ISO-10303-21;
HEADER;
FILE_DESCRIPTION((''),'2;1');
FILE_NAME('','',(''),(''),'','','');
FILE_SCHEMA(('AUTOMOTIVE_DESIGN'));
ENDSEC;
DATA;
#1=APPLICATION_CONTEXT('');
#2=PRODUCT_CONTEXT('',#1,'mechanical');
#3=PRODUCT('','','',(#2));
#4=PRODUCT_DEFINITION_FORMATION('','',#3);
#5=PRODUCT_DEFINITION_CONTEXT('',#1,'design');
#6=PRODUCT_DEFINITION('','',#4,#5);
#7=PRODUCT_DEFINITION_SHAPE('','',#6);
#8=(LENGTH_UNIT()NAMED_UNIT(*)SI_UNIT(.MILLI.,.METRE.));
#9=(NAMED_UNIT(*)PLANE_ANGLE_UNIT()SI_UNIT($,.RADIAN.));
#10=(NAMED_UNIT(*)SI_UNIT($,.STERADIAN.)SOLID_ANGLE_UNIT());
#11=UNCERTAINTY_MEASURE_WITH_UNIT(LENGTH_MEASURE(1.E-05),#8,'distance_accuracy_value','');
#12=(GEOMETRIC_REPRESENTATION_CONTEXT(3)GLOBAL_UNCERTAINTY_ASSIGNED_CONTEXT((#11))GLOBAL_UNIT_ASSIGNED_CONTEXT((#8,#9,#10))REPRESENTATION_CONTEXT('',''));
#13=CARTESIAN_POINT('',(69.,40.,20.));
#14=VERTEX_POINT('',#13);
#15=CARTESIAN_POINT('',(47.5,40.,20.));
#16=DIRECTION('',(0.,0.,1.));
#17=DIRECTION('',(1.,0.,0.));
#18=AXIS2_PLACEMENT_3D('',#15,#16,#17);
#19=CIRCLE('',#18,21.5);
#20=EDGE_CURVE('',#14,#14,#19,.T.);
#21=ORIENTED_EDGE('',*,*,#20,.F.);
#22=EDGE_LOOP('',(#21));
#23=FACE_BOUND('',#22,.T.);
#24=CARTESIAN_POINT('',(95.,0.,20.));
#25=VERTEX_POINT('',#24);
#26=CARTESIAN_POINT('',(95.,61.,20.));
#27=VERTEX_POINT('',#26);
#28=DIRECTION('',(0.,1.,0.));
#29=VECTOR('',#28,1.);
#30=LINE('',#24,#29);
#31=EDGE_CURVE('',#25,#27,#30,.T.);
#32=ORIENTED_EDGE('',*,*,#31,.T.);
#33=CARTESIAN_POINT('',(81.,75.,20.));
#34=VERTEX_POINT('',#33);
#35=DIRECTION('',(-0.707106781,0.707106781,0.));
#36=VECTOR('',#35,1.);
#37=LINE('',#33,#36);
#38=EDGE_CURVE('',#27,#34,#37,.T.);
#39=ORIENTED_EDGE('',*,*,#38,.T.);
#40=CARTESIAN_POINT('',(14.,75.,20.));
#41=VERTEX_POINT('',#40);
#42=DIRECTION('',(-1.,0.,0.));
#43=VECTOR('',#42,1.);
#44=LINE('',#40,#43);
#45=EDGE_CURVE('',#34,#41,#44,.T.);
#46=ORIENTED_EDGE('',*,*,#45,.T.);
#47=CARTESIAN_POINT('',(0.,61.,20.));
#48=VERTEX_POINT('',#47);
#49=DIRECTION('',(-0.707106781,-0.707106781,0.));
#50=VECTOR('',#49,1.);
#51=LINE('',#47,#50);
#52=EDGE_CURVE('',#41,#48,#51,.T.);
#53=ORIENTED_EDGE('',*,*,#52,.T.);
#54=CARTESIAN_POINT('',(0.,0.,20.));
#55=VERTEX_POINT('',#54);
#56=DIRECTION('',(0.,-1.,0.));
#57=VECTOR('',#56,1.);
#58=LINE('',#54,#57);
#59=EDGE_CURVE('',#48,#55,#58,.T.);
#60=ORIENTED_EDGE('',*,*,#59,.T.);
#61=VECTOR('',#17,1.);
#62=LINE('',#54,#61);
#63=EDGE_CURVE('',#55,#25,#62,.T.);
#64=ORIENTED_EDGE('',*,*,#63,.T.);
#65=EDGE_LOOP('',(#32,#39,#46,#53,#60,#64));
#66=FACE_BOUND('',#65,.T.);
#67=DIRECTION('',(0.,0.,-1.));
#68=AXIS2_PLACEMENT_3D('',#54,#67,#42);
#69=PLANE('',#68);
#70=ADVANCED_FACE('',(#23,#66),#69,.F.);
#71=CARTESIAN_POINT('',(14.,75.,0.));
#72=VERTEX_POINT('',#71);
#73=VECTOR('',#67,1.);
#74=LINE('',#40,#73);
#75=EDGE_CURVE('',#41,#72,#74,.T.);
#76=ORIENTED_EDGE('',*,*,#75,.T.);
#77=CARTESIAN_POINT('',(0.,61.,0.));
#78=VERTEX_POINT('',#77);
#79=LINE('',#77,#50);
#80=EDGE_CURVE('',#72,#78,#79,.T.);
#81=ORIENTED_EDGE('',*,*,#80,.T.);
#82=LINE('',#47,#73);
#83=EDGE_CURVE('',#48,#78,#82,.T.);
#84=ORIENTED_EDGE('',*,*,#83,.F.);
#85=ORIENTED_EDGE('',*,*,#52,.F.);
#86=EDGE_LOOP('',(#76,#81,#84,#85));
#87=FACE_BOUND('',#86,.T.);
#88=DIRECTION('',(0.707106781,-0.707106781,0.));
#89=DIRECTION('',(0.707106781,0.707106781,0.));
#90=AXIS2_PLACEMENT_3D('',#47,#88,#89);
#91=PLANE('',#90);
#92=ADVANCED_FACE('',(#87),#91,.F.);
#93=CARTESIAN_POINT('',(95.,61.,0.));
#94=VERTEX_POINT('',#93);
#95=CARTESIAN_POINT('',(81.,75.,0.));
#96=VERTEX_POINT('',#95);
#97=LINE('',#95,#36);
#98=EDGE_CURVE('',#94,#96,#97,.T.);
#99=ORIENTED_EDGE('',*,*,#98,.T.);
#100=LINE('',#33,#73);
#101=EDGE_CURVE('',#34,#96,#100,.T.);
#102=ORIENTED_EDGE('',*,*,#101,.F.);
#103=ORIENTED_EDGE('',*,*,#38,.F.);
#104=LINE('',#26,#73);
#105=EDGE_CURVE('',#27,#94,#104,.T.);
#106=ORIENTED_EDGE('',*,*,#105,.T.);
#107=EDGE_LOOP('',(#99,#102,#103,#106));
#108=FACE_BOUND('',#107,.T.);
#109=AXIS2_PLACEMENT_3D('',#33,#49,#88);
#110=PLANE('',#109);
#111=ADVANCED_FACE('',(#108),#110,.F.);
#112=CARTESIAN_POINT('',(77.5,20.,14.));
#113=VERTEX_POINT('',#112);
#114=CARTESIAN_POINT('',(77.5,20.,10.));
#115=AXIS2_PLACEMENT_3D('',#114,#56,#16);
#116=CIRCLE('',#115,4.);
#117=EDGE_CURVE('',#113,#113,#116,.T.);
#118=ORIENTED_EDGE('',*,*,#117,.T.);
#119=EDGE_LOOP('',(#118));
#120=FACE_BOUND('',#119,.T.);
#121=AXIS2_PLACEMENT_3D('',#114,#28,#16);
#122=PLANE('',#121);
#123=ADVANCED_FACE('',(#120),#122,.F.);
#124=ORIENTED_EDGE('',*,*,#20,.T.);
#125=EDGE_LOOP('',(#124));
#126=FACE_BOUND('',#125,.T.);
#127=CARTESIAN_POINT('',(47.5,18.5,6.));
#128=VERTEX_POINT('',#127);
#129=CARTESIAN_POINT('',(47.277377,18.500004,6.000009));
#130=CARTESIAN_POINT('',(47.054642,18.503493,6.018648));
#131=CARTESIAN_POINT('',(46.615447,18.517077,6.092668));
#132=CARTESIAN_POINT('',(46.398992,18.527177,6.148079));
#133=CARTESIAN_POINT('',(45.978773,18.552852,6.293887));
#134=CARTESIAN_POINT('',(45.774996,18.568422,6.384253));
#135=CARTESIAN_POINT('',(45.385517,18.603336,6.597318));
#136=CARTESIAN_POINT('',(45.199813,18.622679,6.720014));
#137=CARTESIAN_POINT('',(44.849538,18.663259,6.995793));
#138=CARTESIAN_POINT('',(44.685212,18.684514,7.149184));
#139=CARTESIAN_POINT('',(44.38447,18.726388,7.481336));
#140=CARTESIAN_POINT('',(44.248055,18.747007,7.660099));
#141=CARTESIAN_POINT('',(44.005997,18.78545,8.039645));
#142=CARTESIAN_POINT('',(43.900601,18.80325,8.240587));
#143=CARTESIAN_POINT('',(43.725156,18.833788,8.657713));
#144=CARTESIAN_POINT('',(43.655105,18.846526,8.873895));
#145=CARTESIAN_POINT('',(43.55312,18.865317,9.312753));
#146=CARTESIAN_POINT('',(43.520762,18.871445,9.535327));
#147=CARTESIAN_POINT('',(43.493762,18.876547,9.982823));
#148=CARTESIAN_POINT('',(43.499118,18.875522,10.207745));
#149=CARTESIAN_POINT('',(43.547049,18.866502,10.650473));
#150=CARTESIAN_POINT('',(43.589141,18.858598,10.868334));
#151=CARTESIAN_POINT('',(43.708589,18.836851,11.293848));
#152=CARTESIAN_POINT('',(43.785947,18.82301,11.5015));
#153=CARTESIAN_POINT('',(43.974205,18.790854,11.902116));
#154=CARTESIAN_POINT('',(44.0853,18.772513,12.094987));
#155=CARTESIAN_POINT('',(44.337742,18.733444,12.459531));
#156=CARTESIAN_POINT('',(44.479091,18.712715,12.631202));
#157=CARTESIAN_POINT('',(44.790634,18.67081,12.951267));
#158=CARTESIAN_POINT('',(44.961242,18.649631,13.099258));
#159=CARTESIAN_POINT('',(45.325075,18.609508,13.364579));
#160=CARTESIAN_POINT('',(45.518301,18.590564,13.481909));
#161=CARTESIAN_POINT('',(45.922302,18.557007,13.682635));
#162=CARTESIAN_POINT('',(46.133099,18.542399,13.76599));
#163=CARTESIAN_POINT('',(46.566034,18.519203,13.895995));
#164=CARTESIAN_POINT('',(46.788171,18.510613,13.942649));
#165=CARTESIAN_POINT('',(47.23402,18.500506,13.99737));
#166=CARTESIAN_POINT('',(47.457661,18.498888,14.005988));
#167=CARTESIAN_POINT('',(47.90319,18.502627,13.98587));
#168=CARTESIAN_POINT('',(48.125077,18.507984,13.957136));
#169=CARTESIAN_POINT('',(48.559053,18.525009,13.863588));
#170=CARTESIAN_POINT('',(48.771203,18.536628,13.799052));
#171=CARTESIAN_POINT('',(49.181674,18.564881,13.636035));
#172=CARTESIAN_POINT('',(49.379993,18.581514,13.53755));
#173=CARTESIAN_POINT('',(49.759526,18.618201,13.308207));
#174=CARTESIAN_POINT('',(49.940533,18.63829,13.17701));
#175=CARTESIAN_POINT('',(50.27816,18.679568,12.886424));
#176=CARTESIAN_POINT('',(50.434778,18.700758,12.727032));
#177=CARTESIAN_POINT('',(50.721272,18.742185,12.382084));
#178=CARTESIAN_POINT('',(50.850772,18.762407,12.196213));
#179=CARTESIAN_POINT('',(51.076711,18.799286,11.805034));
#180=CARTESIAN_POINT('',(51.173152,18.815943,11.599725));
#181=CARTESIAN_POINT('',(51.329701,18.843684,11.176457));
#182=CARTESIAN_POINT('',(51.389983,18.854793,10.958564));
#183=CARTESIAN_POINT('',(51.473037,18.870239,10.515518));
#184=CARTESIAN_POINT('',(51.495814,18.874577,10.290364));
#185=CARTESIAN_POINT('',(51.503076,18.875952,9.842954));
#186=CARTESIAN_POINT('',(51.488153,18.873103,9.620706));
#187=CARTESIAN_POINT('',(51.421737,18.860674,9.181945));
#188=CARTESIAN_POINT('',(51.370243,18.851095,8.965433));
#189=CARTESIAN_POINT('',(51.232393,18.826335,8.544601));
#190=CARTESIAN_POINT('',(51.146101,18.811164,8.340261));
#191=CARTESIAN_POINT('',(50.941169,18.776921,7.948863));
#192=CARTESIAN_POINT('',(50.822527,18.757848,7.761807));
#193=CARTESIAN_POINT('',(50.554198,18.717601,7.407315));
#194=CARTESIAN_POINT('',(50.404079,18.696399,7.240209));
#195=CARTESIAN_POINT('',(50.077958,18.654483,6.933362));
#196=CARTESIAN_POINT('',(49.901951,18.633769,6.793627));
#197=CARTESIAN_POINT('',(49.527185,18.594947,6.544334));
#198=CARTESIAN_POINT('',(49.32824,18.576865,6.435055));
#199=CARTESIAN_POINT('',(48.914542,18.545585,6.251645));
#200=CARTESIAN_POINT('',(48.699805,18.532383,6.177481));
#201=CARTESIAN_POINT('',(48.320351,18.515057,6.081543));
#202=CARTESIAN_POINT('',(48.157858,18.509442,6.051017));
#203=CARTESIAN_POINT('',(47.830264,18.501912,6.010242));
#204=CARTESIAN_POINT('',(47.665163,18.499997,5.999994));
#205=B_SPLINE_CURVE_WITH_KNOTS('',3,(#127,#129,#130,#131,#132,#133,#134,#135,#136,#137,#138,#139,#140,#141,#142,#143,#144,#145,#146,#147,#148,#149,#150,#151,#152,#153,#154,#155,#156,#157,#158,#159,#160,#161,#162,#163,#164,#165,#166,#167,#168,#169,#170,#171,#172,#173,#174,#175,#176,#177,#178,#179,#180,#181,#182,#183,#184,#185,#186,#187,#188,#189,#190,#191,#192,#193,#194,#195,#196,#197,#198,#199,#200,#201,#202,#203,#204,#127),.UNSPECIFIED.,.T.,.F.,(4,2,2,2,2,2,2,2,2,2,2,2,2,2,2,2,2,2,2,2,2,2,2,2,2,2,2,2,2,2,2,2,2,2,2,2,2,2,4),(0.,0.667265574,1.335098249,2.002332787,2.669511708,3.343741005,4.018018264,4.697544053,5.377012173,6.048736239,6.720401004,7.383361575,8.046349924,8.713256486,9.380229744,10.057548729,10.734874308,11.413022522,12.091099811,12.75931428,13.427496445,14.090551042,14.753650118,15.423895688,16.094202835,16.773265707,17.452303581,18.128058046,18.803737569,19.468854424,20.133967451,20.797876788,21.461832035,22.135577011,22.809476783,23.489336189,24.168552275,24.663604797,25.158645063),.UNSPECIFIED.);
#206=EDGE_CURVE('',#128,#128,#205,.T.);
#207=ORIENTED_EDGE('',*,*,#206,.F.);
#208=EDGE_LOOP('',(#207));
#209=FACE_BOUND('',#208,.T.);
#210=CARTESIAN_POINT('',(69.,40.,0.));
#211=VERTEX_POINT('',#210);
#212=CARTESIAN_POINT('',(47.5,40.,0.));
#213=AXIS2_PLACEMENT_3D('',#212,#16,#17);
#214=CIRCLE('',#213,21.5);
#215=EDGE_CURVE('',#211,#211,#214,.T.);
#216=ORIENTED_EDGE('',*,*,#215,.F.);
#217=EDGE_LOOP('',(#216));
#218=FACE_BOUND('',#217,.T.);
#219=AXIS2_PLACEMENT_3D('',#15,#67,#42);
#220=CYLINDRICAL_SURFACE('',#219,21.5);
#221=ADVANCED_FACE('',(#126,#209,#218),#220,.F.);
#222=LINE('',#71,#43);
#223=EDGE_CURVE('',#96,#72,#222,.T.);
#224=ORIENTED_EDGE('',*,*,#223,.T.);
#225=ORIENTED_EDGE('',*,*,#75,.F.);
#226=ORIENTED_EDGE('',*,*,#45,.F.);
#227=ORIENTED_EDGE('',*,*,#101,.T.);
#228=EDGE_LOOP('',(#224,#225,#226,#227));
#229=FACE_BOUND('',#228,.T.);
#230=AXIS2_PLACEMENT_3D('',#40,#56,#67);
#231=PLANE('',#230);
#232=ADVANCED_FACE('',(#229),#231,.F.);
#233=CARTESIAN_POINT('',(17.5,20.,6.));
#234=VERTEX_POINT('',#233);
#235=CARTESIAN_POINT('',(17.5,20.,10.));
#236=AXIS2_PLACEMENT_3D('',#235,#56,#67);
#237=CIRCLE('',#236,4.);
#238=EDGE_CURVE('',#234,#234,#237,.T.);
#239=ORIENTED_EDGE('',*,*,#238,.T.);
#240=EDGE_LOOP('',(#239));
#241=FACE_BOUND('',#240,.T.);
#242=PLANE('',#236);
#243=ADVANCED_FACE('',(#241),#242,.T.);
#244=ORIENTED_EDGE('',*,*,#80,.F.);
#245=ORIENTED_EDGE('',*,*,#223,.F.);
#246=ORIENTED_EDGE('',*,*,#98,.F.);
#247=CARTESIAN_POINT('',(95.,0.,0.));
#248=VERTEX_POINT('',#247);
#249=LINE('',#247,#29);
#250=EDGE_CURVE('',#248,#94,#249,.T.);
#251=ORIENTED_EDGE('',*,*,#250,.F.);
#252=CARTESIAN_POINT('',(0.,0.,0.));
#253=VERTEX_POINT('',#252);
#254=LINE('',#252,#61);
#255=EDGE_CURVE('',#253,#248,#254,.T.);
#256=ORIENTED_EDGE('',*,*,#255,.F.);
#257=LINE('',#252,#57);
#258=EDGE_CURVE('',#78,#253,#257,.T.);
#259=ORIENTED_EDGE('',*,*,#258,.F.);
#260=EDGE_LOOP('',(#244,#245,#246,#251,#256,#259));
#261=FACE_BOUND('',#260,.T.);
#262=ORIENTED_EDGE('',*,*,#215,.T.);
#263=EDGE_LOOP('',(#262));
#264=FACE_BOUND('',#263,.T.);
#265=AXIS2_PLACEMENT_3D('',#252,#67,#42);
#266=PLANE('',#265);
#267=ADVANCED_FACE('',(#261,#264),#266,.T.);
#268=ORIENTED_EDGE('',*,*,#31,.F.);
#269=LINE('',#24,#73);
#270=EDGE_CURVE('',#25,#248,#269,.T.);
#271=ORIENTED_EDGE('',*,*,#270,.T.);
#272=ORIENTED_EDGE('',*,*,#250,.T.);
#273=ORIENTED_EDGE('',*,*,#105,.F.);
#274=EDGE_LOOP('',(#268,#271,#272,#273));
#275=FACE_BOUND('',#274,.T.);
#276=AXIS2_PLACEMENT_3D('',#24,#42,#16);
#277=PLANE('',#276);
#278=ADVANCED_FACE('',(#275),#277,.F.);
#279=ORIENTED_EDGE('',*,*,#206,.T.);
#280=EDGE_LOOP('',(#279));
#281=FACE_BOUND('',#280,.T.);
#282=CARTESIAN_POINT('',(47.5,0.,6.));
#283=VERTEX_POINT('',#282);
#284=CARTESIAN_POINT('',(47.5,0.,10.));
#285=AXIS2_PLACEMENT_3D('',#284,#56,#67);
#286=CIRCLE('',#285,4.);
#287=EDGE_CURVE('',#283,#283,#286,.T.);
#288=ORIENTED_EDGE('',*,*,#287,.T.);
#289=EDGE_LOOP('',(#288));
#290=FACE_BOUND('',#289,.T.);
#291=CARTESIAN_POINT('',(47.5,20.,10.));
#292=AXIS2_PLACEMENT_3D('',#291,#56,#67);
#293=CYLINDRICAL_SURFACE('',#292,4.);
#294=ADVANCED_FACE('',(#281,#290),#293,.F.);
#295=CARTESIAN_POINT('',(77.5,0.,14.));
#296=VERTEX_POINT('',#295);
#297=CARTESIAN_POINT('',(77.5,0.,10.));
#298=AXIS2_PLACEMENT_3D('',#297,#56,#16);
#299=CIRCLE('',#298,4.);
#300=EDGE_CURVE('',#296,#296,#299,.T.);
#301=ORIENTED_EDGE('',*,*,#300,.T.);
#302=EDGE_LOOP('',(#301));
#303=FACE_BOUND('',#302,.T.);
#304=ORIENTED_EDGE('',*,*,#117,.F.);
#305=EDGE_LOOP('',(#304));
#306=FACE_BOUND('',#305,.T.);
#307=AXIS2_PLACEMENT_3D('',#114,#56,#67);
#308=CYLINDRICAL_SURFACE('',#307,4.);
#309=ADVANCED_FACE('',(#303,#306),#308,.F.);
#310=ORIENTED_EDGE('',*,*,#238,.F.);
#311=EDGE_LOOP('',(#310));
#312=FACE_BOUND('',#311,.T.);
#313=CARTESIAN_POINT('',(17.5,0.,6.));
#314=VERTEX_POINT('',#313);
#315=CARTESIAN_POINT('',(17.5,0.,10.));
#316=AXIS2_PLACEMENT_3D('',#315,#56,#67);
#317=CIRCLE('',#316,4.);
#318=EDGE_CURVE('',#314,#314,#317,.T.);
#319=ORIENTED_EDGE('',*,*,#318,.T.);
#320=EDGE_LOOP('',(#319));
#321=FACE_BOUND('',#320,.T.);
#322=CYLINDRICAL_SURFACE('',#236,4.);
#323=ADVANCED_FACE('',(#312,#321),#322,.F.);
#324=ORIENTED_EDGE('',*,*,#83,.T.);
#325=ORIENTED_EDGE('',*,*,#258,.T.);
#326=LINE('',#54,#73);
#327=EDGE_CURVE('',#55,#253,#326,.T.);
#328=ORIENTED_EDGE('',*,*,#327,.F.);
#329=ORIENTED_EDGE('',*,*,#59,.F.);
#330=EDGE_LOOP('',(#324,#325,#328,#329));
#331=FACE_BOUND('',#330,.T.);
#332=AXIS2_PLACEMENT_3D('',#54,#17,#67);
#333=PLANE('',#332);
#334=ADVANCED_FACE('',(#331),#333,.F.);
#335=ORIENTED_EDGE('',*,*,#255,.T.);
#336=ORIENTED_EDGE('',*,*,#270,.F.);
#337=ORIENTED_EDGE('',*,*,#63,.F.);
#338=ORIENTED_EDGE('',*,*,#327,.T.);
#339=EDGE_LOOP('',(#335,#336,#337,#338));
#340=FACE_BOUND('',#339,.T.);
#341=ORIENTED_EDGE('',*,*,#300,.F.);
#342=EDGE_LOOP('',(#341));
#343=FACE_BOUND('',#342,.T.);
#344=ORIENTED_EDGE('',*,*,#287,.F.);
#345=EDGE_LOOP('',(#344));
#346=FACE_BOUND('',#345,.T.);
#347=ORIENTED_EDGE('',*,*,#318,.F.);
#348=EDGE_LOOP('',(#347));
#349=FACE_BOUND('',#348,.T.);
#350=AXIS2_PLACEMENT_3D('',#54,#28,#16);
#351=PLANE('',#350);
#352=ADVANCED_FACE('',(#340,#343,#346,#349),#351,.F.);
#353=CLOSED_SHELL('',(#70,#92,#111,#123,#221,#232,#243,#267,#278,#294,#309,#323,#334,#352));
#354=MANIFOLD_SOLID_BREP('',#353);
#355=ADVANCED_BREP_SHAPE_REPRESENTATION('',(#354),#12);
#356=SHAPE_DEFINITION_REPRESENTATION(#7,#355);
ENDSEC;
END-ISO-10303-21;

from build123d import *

# Parameters (mm, degrees)
SCHIZZO1_R                   = 21.5
ESTRUSIONE_ESTRUSIONE1_DEPTH = 20
SCHIZZO2_R                   = 4
TAGLIO_ESTRUSIONE1_DEPTH     = 20


with BuildPart() as part:
    # Schizzo1 → Estrusione-Estrusione1 (new body)
    with BuildSketch(Plane.XY):
        Polygon((0, 0), (95, 0), (95, 61), (81, 75), (14, 75), (0, 61), align=None)
        with Locations((47.5, 40)):
            Circle(SCHIZZO1_R, mode=Mode.SUBTRACT)
    extrude(amount=ESTRUSIONE_ESTRUSIONE1_DEPTH)

    # Schizzo2 → Taglio-Estrusione1 (cut)
    with BuildSketch(Plane.XZ):
        with Locations(Location((47.5, 10, 0), (0, 0, 270))):
            Circle(SCHIZZO2_R)
        with Locations(Location((17.5, 10, 0), (0, 0, 270))):
            Circle(SCHIZZO2_R)
        with Locations(Location((77.5, 10, 0), (0, 0, 90))):
            Circle(SCHIZZO2_R)
    extrude(amount=-TAGLIO_ESTRUSIONE1_DEPTH, mode=Mode.SUBTRACT)


solid = part.part
